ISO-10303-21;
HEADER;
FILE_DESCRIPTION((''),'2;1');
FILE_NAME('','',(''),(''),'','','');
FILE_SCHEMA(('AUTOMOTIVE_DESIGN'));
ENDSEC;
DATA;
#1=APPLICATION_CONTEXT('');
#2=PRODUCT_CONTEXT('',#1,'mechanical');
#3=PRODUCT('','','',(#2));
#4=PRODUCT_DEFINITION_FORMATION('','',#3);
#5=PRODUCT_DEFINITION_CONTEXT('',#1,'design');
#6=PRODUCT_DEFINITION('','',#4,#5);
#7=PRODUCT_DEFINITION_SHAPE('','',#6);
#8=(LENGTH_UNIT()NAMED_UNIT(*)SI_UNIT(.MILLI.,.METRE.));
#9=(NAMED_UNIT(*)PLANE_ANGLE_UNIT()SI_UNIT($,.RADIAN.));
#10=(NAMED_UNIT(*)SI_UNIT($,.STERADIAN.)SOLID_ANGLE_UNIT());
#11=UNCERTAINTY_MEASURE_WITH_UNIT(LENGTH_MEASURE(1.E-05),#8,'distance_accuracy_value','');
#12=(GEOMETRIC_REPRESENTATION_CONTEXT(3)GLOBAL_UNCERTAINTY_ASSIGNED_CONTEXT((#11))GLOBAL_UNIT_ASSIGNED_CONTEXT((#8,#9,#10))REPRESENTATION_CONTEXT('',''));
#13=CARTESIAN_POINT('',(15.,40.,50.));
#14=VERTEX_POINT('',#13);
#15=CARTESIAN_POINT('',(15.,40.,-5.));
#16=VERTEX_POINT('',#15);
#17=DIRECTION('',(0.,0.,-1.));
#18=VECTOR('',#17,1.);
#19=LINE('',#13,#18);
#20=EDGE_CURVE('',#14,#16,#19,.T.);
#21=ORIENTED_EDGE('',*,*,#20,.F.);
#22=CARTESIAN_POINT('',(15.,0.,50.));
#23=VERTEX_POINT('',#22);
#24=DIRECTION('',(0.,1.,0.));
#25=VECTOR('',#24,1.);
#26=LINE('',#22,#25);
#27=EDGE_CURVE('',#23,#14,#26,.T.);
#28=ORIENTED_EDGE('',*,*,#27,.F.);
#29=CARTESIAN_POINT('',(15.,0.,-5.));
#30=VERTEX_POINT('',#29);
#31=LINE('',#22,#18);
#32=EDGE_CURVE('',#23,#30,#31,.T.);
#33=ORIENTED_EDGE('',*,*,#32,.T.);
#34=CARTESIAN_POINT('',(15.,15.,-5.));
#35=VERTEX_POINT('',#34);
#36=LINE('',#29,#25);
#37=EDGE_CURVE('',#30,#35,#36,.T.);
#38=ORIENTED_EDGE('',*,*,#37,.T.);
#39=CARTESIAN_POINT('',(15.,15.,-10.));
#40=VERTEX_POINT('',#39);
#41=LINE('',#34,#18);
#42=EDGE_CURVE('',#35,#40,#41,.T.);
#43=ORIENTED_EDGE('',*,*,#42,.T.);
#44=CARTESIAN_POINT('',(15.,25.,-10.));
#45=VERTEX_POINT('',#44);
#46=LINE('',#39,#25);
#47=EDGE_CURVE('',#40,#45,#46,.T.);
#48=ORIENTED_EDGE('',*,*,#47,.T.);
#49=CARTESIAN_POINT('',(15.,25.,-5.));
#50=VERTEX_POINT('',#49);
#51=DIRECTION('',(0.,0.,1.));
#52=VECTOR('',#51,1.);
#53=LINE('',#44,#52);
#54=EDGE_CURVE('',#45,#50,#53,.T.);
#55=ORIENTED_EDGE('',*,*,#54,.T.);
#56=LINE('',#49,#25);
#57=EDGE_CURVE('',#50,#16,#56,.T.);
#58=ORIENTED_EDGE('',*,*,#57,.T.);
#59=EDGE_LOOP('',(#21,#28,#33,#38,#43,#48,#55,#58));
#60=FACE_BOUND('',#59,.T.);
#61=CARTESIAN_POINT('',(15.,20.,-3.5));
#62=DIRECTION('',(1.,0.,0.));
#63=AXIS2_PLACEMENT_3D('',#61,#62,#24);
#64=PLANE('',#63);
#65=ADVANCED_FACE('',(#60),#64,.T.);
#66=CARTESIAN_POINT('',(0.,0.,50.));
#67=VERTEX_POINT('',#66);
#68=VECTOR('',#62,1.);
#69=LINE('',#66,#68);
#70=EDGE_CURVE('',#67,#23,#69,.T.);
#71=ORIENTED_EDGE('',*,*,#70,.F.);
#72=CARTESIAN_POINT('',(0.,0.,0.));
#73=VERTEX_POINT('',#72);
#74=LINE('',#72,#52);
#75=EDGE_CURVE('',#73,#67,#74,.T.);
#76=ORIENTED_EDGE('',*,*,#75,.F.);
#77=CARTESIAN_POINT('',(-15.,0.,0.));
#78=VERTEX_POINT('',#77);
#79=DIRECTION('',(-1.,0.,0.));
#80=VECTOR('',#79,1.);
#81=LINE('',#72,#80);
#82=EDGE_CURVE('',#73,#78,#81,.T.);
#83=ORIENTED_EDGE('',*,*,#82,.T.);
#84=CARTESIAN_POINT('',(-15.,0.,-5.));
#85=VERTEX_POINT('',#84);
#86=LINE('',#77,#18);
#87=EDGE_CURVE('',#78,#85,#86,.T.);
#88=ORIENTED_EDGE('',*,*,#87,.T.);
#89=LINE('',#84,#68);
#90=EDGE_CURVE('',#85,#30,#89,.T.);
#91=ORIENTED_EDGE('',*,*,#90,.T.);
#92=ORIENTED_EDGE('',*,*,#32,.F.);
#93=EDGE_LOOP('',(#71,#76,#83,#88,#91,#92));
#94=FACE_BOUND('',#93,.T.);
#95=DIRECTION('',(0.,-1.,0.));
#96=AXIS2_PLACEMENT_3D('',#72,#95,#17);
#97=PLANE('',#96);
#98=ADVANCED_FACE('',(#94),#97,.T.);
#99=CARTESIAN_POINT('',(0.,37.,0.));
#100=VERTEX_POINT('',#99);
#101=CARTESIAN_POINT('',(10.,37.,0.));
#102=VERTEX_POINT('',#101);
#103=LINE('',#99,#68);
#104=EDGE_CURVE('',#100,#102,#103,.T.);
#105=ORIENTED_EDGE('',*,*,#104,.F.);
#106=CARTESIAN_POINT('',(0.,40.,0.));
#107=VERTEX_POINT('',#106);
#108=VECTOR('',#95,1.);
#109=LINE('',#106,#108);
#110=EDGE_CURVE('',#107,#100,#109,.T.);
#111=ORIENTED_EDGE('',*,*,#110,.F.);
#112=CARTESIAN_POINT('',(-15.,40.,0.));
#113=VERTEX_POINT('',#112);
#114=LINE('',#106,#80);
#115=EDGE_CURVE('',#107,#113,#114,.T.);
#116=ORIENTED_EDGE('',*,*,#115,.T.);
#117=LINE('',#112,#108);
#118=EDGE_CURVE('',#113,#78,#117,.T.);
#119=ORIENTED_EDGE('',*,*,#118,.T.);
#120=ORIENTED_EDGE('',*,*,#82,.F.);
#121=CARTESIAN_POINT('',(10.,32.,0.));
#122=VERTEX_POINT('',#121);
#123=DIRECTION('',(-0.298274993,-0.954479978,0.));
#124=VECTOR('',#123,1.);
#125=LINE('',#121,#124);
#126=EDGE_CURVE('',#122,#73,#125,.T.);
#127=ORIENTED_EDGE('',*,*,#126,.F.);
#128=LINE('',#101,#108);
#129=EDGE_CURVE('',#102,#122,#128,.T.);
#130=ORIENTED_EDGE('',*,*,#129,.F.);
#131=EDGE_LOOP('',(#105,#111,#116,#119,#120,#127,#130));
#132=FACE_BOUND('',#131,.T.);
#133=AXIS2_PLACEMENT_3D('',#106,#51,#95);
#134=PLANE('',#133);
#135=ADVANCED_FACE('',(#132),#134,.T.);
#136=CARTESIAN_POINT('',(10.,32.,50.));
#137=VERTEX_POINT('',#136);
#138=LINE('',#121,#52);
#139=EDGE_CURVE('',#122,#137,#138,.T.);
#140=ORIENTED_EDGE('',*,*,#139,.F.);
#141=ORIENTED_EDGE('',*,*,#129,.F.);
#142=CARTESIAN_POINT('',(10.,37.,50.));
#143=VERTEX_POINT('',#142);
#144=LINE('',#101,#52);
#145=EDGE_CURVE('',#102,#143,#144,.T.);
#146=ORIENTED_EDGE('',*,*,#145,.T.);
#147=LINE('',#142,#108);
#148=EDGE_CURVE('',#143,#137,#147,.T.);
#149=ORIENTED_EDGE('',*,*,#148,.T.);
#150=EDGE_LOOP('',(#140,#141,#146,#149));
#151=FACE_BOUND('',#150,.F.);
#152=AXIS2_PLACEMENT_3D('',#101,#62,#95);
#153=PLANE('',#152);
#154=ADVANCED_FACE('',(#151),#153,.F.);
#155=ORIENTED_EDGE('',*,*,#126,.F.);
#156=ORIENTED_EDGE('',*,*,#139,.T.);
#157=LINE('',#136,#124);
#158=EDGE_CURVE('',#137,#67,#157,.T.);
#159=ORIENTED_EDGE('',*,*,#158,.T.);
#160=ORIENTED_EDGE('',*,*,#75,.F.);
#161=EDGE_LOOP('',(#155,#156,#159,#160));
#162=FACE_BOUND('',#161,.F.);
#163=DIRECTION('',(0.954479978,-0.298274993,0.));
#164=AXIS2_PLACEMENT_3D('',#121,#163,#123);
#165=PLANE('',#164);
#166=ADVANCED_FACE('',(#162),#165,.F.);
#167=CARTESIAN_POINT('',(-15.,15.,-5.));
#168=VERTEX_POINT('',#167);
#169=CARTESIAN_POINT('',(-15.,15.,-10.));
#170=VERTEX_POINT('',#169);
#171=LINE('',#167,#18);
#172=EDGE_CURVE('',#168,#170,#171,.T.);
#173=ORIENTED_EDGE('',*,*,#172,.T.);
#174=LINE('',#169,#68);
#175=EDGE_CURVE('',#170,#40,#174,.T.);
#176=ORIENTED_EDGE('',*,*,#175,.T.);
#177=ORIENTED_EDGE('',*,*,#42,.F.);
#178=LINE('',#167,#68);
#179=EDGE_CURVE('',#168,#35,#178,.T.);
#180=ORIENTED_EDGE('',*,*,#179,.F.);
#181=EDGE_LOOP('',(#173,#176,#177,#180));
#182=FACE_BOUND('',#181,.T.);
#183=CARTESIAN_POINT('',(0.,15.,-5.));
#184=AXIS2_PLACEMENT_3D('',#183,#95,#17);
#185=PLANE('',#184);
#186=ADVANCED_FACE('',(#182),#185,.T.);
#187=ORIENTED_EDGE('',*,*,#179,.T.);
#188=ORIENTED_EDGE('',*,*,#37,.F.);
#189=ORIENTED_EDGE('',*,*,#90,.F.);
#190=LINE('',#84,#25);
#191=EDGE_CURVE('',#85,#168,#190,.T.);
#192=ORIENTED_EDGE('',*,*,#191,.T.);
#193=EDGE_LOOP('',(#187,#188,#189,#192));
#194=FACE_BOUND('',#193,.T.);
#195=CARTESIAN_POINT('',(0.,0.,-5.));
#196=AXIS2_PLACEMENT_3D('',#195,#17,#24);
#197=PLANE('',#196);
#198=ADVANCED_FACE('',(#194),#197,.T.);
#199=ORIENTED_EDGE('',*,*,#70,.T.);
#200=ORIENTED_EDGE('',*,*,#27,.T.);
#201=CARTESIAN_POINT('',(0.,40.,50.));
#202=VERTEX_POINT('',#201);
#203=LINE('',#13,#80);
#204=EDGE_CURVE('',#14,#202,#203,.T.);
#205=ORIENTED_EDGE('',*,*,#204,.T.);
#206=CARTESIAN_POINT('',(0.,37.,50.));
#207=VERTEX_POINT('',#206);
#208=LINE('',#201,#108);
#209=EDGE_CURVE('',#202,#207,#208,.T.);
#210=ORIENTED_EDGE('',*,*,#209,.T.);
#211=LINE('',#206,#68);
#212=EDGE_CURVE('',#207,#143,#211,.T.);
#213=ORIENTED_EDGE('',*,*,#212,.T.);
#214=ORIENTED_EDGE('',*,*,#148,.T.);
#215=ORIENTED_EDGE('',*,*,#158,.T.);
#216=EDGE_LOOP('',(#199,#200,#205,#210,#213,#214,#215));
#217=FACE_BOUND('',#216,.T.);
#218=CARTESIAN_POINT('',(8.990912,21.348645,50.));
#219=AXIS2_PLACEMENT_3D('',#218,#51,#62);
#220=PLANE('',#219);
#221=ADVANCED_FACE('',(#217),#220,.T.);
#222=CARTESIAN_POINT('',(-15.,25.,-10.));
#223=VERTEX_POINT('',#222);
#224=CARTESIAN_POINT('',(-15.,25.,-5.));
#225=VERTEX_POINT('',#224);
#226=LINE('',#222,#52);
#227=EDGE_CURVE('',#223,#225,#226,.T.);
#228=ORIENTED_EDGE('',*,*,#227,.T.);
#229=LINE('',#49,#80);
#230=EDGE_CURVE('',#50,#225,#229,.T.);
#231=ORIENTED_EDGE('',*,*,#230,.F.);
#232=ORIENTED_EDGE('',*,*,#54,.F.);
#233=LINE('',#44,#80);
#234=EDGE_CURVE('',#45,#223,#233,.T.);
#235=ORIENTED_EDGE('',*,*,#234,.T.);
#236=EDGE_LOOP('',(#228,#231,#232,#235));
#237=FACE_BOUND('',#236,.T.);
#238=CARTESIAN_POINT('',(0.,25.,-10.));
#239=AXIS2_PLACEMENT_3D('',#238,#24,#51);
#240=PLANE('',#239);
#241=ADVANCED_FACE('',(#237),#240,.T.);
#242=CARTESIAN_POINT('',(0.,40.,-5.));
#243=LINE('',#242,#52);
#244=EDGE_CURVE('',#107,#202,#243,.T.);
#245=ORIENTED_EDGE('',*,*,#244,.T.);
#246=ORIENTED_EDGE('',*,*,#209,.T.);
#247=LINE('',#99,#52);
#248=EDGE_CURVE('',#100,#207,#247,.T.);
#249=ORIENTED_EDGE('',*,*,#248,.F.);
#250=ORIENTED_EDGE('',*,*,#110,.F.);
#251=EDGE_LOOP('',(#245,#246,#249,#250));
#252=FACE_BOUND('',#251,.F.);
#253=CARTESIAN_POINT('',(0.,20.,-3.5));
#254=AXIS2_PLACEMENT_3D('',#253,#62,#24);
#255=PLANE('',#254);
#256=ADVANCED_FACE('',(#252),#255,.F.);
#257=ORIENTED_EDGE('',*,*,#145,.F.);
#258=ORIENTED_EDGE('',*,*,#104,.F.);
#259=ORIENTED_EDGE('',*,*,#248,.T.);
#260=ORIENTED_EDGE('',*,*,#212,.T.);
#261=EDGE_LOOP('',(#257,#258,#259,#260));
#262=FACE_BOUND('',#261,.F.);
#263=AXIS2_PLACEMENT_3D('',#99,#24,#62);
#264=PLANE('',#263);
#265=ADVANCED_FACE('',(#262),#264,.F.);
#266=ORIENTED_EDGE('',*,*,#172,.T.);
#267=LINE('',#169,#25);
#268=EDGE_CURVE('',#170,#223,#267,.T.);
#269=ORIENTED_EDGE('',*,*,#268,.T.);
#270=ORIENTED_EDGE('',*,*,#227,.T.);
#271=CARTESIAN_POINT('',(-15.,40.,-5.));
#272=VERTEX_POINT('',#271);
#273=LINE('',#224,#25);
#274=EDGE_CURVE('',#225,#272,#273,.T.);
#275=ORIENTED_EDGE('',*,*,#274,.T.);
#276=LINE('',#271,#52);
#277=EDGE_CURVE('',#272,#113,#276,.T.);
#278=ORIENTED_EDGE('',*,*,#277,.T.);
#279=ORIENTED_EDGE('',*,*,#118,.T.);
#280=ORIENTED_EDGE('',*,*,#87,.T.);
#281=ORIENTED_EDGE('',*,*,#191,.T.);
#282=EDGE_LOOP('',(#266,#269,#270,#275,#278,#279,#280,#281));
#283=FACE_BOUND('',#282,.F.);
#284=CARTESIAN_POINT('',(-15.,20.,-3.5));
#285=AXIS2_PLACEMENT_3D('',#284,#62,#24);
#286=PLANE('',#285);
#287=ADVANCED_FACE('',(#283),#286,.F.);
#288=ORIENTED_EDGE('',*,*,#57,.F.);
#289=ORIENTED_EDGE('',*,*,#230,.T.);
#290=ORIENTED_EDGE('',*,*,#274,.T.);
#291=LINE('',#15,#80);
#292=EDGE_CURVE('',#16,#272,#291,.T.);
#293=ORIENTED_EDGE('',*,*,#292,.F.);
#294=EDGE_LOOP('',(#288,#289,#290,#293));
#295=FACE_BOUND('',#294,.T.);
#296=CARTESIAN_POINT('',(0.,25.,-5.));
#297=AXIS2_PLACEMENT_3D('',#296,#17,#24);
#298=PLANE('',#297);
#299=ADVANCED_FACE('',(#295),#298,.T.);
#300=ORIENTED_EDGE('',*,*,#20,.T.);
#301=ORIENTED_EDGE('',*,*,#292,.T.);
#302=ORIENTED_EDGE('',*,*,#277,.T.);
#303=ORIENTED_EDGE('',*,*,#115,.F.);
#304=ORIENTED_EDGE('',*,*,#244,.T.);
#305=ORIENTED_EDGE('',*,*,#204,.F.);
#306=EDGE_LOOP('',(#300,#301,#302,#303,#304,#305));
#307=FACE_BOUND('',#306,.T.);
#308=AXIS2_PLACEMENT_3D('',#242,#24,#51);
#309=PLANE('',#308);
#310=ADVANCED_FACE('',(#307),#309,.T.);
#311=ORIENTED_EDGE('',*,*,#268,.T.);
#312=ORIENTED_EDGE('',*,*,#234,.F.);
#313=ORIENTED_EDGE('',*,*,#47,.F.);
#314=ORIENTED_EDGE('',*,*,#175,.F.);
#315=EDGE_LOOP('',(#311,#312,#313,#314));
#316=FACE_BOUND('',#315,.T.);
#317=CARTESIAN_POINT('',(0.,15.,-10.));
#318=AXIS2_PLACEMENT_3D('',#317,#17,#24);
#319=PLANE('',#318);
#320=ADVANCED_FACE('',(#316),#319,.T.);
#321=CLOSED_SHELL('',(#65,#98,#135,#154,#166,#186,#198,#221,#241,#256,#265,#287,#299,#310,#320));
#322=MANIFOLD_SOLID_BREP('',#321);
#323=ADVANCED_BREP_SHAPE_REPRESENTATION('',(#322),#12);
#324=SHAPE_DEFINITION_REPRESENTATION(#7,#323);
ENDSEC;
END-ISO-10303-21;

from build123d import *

# Parameters (mm, degrees)
F1_DEPTH = 50
F3_DEPTH = 15
F4_DEPTH = 15


with BuildPart() as f1:
    # F0 (on Top) → F1 (new body)
    with BuildSketch(Plane.XY):
        Polygon((0, 40), (0, 37), (10, 37), (10, 32), (0, 0), (15, 0), (15, 40), align=None)
    extrude(amount=F1_DEPTH)

    # F2 (on Right) → F3 (join)
    with BuildSketch(Plane.YZ):
        Polygon((40, -5), (40, 0), (0, 0), (0, -5), (15, -5), (15, -10), (25, -10), (25, -5), align=None)
    extrude(amount=F3_DEPTH)

    # F2 (on Right) → F4 (join)
    with BuildSketch(Plane.YZ):
        Polygon((40, -5), (40, 0), (0, 0), (0, -5), (15, -5), (15, -10), (25, -10), (25, -5), align=None)
    extrude(amount=-F4_DEPTH)


solid = f1.part
